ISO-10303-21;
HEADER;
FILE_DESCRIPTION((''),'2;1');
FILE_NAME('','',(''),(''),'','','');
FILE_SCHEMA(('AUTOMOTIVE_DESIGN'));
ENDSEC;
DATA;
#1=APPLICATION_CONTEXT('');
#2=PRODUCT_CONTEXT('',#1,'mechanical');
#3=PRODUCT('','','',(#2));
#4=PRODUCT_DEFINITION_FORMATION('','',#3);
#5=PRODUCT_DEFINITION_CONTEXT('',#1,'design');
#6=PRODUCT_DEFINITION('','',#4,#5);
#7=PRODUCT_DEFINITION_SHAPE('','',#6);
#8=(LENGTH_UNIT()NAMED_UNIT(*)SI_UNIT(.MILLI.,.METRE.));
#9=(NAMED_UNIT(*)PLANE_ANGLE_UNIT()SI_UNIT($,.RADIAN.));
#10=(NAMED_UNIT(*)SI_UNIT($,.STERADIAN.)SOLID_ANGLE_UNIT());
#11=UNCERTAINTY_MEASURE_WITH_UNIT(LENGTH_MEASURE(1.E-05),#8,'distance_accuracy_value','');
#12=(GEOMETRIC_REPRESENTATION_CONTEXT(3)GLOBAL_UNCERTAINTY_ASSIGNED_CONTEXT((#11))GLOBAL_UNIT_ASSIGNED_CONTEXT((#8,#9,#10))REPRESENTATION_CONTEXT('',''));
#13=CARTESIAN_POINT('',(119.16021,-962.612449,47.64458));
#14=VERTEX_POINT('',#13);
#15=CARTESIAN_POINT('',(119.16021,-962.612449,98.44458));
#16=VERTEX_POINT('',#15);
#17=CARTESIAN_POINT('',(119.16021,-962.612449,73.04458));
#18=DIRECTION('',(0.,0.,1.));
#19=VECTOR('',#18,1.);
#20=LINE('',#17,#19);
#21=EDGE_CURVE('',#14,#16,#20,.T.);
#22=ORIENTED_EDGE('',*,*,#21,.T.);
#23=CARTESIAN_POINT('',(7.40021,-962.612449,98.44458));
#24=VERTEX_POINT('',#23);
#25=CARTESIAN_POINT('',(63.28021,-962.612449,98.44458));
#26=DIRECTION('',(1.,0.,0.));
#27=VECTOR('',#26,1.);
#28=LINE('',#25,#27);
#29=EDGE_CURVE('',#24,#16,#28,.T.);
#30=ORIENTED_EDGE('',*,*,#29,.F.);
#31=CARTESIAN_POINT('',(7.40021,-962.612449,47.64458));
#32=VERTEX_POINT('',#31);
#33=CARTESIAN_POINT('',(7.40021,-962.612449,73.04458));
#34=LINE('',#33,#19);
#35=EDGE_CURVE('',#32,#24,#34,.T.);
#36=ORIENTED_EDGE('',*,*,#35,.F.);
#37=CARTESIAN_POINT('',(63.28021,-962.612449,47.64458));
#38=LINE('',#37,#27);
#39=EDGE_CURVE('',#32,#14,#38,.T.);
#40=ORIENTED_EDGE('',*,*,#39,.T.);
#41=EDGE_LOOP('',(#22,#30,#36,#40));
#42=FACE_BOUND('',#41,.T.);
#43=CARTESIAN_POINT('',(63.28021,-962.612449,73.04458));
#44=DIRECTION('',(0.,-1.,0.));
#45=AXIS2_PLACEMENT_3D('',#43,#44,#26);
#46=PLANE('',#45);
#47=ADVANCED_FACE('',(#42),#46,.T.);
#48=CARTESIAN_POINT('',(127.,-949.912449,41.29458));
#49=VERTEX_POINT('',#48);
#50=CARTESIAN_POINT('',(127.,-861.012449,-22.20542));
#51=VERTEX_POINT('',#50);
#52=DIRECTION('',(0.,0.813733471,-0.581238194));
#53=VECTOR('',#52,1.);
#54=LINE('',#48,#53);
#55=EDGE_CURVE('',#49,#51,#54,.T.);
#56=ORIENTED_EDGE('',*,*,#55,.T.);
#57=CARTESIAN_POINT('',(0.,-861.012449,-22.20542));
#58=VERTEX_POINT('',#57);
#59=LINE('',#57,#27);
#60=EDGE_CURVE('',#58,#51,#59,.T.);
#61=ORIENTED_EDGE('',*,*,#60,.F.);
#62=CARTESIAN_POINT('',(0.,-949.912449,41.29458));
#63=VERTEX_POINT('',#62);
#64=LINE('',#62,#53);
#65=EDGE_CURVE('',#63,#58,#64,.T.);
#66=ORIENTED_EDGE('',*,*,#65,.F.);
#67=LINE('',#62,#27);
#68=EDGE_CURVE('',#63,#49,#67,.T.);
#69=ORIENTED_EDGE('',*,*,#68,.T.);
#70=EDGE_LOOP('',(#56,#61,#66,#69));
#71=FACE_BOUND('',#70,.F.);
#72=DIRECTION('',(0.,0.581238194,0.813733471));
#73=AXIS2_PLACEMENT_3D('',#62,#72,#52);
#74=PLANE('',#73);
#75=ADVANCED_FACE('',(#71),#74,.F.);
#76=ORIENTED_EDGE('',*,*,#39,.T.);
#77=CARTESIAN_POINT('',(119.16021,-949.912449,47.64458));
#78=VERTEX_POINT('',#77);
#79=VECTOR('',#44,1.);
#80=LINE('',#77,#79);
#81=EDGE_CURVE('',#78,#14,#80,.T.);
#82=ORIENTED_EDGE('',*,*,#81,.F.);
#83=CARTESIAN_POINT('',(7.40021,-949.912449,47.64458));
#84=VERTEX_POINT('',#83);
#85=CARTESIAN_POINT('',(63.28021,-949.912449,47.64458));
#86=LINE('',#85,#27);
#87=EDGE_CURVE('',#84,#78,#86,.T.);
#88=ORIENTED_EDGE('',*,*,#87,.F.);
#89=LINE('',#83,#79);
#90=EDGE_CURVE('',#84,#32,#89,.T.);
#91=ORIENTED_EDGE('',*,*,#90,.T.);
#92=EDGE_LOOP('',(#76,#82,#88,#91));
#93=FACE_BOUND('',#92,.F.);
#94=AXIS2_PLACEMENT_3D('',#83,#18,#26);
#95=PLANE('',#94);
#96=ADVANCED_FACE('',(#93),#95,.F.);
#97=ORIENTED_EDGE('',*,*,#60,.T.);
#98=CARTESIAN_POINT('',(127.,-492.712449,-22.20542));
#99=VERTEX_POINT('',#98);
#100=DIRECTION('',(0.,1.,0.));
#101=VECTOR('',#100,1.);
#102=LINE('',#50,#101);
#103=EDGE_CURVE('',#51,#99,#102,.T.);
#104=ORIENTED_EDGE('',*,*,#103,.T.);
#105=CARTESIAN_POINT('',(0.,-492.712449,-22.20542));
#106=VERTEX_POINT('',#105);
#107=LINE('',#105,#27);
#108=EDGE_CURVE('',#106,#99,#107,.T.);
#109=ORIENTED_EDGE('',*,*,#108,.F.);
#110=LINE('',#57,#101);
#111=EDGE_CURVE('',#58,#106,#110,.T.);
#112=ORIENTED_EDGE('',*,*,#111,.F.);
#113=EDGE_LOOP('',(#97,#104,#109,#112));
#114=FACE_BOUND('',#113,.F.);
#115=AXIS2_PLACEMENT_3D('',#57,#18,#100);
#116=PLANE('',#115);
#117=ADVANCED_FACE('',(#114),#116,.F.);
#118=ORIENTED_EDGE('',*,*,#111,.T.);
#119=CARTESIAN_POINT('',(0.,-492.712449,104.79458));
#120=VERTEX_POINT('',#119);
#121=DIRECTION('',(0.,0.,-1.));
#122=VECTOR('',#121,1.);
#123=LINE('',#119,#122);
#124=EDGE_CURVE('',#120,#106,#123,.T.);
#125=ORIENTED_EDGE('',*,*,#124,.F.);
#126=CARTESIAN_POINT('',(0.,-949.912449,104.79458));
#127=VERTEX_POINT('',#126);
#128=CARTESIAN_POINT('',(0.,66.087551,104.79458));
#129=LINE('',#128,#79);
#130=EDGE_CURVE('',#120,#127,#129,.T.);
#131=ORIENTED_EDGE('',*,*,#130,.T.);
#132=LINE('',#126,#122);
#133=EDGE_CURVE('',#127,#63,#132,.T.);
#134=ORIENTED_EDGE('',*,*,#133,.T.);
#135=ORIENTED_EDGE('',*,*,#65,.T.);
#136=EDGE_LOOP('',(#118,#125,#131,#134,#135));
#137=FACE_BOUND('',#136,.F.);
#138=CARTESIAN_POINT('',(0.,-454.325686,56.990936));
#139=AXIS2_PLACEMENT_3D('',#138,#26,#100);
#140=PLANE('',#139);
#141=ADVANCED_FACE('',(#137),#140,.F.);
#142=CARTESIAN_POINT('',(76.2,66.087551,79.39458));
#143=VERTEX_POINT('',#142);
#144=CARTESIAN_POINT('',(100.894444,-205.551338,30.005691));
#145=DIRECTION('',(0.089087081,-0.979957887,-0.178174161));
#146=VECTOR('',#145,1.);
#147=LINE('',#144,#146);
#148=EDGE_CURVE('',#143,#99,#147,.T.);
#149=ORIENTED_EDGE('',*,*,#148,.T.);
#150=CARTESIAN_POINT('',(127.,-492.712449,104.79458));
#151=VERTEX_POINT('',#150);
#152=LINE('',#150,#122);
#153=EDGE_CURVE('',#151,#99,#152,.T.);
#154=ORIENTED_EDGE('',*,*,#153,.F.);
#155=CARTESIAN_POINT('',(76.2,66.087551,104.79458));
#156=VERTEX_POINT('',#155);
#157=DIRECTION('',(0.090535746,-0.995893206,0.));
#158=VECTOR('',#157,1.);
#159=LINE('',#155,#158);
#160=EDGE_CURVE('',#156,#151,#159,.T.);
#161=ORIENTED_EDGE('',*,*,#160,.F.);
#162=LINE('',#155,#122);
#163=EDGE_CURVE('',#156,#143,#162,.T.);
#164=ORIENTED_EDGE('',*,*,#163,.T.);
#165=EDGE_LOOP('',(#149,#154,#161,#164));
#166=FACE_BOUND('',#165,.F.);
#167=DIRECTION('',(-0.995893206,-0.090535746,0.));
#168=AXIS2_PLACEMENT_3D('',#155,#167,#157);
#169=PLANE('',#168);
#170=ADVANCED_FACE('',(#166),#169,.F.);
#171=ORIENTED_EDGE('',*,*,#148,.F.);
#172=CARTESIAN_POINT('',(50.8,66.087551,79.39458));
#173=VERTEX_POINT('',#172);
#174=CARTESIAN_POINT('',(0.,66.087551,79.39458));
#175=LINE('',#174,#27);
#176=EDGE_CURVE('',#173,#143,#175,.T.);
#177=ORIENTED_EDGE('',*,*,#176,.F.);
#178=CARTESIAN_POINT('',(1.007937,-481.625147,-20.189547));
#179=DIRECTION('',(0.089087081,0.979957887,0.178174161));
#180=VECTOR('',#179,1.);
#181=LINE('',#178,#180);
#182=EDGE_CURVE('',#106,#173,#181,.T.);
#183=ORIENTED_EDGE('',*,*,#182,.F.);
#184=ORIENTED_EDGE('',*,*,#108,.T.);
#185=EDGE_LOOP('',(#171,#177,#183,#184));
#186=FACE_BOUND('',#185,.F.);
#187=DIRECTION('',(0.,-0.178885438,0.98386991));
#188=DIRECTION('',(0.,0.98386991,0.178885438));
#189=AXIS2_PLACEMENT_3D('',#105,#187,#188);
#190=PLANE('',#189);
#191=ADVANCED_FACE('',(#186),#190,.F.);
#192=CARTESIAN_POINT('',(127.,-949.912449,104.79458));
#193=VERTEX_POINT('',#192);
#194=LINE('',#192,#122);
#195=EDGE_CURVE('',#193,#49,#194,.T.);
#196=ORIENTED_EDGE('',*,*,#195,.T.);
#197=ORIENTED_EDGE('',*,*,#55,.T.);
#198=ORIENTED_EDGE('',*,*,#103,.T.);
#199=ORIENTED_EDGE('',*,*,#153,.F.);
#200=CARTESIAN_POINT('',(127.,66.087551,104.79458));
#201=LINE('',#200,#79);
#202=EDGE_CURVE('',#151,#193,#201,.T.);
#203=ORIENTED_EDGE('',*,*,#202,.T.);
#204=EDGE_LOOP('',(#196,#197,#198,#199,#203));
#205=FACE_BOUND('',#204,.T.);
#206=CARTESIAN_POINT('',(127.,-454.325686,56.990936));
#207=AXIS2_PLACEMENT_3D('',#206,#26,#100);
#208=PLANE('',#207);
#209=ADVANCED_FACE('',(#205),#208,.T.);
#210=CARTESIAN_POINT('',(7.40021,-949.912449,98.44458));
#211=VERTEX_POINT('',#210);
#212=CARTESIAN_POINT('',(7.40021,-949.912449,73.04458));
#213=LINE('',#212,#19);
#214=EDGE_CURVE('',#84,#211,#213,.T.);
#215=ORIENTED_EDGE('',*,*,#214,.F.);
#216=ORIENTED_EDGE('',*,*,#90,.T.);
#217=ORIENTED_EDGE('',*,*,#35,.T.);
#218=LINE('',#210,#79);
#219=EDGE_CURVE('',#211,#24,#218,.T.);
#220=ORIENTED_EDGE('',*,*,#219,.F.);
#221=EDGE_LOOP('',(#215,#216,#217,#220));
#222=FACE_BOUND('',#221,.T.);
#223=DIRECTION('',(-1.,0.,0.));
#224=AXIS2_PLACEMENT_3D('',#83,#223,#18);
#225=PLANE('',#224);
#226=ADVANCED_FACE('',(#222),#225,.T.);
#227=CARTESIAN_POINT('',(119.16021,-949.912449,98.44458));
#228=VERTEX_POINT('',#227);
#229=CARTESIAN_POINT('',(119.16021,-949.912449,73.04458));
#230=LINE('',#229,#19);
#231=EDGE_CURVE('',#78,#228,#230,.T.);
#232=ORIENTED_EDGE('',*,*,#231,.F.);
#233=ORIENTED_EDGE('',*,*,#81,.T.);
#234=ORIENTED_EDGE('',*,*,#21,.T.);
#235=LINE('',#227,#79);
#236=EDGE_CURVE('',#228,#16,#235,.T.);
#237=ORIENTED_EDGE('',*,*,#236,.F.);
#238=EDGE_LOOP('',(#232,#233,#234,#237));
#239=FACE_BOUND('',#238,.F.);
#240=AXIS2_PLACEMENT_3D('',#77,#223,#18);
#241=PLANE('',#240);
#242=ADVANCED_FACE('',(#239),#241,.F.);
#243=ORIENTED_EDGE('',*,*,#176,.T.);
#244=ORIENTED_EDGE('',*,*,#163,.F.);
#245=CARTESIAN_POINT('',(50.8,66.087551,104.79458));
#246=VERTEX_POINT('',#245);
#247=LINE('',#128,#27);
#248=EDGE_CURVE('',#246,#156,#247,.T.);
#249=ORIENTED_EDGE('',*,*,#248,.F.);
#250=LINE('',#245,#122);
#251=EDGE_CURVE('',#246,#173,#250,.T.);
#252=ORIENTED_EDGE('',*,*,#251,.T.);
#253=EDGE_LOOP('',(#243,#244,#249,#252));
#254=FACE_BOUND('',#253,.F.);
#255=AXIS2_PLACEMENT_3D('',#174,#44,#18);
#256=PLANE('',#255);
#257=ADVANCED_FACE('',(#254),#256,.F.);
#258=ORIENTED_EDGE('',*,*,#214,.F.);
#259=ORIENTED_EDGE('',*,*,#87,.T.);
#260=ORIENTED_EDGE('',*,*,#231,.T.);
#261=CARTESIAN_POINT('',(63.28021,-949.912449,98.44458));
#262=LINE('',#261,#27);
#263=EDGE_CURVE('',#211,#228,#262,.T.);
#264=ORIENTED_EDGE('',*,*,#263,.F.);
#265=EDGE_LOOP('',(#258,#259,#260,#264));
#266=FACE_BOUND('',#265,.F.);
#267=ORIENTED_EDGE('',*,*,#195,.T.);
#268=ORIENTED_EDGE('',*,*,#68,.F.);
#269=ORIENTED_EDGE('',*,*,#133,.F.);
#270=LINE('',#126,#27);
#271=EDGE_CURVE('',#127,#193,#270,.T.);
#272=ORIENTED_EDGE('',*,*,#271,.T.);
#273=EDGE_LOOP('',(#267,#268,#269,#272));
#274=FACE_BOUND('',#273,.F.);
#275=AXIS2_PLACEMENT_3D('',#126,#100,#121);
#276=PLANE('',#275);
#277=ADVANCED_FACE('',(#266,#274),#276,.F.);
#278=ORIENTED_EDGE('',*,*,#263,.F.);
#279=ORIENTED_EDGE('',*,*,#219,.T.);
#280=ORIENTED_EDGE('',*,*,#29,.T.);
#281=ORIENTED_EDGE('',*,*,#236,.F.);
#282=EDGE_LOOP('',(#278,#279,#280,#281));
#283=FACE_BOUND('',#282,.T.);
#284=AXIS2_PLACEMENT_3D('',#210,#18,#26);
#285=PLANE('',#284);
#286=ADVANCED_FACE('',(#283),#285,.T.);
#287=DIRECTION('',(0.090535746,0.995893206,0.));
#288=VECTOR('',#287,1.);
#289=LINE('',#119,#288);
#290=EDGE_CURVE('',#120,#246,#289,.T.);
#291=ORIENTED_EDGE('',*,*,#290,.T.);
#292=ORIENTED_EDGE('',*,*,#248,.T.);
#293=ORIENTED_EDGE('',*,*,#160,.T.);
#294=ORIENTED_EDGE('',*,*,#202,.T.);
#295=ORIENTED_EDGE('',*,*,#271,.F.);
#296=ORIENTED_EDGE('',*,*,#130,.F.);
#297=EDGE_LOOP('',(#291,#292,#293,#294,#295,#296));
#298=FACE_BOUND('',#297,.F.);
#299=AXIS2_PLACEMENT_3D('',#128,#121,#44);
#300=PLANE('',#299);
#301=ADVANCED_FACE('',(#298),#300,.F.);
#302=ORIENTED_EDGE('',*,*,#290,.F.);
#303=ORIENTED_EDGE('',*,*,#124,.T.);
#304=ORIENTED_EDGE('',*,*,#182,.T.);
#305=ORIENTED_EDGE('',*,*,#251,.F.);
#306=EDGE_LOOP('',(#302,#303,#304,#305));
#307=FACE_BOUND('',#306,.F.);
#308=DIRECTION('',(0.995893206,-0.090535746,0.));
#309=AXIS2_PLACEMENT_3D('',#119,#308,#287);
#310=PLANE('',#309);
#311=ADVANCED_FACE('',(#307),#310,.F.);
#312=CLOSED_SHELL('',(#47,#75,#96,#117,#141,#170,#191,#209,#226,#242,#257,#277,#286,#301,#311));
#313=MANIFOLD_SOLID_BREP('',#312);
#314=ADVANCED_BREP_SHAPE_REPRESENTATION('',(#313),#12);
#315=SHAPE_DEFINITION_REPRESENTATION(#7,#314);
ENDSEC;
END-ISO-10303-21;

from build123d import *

# Parameters (mm, degrees)
F1_DEPTH = 127
F2_W     = 111.76
F2_H     = 50.8
F3_DEPTH = 12.7
F5_DEPTH = 138.684


with BuildPart() as f1:
    # F0 (on Right) → F1 (new body)
    with BuildSketch(Plane.YZ):
        Polygon((66.087551, 104.79458), (-949.912449, 104.79458), (-949.912449, 41.29458), (-861.012449, -22.20542), (-492.712449, -22.20542), (66.087551, 79.39458), align=None)
    extrude(amount=F1_DEPTH)

    # F2 (on face) → F3 (join)
    with BuildSketch(Plane.XZ.offset(949.912449)):
        with Locations((63.28021, 73.04458)):
            Rectangle(F2_W, F2_H)
    extrude(amount=F3_DEPTH)

    # F4 (on face) → F5 (cut)
    with BuildSketch(Plane.XY.offset(104.79458)):
        Polygon((0, -492.712449), (50.8, 66.087551), (0, 66.087551), align=None)
        Polygon((127, 66.087551), (76.2, 66.087551), (127, -492.712449), align=None)
    extrude(amount=-F5_DEPTH, mode=Mode.SUBTRACT)


solid = f1.part
